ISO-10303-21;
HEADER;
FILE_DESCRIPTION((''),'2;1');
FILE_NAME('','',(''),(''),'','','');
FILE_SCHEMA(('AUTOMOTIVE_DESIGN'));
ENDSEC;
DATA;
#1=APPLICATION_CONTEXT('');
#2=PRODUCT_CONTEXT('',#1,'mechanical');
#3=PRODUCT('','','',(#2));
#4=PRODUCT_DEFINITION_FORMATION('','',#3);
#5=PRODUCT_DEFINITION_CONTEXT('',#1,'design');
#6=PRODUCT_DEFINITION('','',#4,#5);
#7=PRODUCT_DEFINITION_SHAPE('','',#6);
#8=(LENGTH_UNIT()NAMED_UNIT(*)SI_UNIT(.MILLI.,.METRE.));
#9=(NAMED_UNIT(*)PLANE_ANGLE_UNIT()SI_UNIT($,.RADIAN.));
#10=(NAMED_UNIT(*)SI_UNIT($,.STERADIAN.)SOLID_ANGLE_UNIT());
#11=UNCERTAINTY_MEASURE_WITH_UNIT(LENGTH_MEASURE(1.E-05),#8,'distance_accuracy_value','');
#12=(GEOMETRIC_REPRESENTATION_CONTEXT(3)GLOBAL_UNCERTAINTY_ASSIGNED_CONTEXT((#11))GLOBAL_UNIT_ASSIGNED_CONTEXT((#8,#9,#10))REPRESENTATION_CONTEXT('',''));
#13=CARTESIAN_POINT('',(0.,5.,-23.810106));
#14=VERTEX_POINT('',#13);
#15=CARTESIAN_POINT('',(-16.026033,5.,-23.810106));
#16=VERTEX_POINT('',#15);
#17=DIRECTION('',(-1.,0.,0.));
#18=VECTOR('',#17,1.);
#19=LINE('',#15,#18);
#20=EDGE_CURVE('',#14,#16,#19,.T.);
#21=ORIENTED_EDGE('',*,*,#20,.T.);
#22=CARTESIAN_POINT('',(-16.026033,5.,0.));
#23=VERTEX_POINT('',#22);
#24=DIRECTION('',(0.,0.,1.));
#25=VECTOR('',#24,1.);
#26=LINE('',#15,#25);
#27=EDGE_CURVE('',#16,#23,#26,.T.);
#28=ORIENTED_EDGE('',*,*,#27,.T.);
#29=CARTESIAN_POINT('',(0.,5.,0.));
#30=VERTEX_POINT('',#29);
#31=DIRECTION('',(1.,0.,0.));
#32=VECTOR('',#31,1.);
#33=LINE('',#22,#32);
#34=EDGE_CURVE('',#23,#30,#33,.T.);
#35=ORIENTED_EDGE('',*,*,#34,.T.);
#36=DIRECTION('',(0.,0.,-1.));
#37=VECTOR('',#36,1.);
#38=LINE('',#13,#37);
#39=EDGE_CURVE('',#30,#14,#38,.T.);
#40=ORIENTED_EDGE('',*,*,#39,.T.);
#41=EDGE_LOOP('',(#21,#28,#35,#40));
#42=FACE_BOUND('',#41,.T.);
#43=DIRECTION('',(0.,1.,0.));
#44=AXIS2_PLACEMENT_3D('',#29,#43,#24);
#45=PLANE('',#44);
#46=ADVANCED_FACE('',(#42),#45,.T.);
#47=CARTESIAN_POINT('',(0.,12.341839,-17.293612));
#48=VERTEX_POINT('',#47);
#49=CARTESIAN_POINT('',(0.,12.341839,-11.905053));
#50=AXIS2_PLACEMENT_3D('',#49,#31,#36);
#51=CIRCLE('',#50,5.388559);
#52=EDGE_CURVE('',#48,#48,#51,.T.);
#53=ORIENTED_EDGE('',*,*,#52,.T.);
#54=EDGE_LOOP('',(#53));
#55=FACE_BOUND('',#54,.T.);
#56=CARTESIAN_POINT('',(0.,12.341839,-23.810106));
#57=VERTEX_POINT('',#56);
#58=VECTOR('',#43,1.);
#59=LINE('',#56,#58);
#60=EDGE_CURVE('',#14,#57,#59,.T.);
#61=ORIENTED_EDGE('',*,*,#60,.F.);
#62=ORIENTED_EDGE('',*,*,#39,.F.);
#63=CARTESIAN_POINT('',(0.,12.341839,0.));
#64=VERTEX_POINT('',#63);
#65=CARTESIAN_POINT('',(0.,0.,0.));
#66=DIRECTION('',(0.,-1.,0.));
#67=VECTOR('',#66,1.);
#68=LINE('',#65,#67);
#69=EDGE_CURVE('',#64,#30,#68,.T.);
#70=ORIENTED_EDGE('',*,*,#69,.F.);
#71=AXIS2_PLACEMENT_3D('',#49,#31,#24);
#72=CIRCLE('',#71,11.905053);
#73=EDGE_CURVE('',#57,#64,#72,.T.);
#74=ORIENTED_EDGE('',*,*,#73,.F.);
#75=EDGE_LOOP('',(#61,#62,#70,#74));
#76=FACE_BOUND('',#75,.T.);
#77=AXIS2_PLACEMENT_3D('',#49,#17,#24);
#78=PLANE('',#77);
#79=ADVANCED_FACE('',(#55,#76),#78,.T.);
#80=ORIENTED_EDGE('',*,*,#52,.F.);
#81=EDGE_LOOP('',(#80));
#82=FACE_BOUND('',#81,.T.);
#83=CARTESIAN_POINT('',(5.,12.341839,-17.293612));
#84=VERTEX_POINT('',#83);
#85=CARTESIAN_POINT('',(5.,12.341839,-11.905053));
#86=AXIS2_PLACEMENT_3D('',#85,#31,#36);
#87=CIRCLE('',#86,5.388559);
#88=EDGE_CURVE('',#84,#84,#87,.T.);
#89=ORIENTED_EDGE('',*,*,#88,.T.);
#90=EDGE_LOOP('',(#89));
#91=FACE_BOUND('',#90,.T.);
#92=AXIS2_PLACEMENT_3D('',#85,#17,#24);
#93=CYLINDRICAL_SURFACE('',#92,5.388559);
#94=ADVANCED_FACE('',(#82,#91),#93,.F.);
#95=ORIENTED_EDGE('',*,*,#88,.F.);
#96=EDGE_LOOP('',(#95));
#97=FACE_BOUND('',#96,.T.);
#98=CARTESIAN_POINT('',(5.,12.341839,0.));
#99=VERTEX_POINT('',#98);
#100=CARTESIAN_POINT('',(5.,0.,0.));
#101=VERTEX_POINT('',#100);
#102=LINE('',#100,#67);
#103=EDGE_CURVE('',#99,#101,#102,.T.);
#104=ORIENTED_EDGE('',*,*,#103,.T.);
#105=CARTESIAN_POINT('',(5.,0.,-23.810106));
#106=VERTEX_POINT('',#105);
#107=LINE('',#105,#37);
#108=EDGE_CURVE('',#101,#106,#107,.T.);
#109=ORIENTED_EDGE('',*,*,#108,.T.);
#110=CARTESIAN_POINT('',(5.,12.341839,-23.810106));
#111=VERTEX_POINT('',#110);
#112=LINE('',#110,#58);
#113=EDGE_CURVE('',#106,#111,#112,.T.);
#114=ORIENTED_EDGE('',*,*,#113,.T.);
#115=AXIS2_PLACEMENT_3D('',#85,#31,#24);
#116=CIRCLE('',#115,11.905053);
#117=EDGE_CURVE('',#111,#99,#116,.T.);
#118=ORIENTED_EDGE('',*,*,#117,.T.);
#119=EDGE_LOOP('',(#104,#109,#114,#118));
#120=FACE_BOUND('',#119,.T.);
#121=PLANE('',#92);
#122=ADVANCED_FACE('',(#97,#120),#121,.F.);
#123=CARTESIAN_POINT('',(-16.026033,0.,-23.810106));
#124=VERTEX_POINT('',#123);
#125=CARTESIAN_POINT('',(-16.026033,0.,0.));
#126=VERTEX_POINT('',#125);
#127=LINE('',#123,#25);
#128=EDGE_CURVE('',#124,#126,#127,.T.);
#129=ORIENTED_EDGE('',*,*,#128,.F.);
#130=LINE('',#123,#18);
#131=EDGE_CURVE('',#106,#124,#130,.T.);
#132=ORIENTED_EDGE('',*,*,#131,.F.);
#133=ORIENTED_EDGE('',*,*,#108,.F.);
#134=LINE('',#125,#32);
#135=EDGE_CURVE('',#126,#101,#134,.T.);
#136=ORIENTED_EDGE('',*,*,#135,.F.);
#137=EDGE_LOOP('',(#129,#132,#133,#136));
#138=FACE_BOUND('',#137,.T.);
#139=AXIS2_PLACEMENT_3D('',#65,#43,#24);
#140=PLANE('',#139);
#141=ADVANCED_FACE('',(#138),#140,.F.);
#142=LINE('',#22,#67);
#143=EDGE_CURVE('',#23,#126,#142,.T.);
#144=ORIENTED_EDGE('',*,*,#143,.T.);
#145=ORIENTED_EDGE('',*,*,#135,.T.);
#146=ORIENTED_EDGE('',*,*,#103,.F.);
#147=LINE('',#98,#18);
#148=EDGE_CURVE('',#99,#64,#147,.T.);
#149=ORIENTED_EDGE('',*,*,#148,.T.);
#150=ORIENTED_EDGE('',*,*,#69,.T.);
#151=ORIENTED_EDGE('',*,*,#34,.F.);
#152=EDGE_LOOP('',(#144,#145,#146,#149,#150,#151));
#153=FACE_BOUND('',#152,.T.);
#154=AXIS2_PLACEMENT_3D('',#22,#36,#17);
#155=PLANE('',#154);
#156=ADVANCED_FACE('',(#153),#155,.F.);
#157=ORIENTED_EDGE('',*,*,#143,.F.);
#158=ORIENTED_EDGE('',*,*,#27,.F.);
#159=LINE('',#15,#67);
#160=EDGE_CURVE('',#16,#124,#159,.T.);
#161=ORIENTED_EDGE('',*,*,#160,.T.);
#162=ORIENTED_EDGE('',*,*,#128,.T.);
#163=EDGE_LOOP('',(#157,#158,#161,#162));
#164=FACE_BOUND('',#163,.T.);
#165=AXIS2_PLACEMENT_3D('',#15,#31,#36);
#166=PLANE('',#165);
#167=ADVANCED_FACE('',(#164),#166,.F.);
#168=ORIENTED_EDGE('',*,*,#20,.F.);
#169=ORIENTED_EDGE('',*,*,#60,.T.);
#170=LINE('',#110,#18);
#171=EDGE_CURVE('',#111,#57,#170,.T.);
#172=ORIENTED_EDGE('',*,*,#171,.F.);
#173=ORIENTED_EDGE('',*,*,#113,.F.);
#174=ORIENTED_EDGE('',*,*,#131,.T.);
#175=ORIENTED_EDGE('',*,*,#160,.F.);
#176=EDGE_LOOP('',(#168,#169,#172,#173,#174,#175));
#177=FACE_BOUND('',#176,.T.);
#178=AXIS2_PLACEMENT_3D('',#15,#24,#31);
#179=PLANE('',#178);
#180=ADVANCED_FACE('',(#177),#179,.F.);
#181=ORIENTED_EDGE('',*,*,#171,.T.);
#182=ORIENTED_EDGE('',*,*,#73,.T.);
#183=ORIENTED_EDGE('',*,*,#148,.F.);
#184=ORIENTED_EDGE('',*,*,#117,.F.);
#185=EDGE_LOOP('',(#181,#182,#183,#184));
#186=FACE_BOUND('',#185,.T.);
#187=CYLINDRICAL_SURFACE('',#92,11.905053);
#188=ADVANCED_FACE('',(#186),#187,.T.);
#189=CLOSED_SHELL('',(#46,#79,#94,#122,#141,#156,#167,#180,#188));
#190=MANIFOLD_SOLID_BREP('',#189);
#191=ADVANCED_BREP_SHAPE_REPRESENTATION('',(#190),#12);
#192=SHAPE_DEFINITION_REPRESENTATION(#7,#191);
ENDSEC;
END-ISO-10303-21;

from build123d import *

# Parameters (mm, degrees)
SKETCH2_W           = 16.026033158
SKETCH2_H           = 23.810106406
BOSS_EXTRUDE1_DEPTH = 5
SKETCH3_R           = 5.388558838
BOSS_EXTRUDE2_DEPTH = 5


with BuildPart() as part:
    # Sketch2 → Boss-Extrude1 (new body)
    with BuildSketch(Plane(origin=(0, 0, 0), x_dir=(1, 0, 0), z_dir=(0, 1, 0))):
        with Locations((-8.013016579, 11.905053203)):
            Rectangle(SKETCH2_W, SKETCH2_H)
    extrude(amount=BOSS_EXTRUDE1_DEPTH)

    # Sketch3 → Boss-Extrude2 (add)
    with BuildSketch(Plane(origin=(0, 0, 0), x_dir=(0, 0, -1), z_dir=(1, 0, 0))):
        with BuildLine():
            Line((0, 0), (0, 12.341839421))
            ThreePointArc((0, 12.341839421), (11.905053203, 24.246892624), (23.810106406, 12.341839421))
            Line((23.810106406, 12.341839421), (23.810106406, 0))
            Line((23.810106406, 0), (0, 0))
        make_face()
        with Locations((11.905053203, 12.341839421)):
            Circle(SKETCH3_R, mode=Mode.SUBTRACT)
    extrude(amount=BOSS_EXTRUDE2_DEPTH)


solid = part.part
